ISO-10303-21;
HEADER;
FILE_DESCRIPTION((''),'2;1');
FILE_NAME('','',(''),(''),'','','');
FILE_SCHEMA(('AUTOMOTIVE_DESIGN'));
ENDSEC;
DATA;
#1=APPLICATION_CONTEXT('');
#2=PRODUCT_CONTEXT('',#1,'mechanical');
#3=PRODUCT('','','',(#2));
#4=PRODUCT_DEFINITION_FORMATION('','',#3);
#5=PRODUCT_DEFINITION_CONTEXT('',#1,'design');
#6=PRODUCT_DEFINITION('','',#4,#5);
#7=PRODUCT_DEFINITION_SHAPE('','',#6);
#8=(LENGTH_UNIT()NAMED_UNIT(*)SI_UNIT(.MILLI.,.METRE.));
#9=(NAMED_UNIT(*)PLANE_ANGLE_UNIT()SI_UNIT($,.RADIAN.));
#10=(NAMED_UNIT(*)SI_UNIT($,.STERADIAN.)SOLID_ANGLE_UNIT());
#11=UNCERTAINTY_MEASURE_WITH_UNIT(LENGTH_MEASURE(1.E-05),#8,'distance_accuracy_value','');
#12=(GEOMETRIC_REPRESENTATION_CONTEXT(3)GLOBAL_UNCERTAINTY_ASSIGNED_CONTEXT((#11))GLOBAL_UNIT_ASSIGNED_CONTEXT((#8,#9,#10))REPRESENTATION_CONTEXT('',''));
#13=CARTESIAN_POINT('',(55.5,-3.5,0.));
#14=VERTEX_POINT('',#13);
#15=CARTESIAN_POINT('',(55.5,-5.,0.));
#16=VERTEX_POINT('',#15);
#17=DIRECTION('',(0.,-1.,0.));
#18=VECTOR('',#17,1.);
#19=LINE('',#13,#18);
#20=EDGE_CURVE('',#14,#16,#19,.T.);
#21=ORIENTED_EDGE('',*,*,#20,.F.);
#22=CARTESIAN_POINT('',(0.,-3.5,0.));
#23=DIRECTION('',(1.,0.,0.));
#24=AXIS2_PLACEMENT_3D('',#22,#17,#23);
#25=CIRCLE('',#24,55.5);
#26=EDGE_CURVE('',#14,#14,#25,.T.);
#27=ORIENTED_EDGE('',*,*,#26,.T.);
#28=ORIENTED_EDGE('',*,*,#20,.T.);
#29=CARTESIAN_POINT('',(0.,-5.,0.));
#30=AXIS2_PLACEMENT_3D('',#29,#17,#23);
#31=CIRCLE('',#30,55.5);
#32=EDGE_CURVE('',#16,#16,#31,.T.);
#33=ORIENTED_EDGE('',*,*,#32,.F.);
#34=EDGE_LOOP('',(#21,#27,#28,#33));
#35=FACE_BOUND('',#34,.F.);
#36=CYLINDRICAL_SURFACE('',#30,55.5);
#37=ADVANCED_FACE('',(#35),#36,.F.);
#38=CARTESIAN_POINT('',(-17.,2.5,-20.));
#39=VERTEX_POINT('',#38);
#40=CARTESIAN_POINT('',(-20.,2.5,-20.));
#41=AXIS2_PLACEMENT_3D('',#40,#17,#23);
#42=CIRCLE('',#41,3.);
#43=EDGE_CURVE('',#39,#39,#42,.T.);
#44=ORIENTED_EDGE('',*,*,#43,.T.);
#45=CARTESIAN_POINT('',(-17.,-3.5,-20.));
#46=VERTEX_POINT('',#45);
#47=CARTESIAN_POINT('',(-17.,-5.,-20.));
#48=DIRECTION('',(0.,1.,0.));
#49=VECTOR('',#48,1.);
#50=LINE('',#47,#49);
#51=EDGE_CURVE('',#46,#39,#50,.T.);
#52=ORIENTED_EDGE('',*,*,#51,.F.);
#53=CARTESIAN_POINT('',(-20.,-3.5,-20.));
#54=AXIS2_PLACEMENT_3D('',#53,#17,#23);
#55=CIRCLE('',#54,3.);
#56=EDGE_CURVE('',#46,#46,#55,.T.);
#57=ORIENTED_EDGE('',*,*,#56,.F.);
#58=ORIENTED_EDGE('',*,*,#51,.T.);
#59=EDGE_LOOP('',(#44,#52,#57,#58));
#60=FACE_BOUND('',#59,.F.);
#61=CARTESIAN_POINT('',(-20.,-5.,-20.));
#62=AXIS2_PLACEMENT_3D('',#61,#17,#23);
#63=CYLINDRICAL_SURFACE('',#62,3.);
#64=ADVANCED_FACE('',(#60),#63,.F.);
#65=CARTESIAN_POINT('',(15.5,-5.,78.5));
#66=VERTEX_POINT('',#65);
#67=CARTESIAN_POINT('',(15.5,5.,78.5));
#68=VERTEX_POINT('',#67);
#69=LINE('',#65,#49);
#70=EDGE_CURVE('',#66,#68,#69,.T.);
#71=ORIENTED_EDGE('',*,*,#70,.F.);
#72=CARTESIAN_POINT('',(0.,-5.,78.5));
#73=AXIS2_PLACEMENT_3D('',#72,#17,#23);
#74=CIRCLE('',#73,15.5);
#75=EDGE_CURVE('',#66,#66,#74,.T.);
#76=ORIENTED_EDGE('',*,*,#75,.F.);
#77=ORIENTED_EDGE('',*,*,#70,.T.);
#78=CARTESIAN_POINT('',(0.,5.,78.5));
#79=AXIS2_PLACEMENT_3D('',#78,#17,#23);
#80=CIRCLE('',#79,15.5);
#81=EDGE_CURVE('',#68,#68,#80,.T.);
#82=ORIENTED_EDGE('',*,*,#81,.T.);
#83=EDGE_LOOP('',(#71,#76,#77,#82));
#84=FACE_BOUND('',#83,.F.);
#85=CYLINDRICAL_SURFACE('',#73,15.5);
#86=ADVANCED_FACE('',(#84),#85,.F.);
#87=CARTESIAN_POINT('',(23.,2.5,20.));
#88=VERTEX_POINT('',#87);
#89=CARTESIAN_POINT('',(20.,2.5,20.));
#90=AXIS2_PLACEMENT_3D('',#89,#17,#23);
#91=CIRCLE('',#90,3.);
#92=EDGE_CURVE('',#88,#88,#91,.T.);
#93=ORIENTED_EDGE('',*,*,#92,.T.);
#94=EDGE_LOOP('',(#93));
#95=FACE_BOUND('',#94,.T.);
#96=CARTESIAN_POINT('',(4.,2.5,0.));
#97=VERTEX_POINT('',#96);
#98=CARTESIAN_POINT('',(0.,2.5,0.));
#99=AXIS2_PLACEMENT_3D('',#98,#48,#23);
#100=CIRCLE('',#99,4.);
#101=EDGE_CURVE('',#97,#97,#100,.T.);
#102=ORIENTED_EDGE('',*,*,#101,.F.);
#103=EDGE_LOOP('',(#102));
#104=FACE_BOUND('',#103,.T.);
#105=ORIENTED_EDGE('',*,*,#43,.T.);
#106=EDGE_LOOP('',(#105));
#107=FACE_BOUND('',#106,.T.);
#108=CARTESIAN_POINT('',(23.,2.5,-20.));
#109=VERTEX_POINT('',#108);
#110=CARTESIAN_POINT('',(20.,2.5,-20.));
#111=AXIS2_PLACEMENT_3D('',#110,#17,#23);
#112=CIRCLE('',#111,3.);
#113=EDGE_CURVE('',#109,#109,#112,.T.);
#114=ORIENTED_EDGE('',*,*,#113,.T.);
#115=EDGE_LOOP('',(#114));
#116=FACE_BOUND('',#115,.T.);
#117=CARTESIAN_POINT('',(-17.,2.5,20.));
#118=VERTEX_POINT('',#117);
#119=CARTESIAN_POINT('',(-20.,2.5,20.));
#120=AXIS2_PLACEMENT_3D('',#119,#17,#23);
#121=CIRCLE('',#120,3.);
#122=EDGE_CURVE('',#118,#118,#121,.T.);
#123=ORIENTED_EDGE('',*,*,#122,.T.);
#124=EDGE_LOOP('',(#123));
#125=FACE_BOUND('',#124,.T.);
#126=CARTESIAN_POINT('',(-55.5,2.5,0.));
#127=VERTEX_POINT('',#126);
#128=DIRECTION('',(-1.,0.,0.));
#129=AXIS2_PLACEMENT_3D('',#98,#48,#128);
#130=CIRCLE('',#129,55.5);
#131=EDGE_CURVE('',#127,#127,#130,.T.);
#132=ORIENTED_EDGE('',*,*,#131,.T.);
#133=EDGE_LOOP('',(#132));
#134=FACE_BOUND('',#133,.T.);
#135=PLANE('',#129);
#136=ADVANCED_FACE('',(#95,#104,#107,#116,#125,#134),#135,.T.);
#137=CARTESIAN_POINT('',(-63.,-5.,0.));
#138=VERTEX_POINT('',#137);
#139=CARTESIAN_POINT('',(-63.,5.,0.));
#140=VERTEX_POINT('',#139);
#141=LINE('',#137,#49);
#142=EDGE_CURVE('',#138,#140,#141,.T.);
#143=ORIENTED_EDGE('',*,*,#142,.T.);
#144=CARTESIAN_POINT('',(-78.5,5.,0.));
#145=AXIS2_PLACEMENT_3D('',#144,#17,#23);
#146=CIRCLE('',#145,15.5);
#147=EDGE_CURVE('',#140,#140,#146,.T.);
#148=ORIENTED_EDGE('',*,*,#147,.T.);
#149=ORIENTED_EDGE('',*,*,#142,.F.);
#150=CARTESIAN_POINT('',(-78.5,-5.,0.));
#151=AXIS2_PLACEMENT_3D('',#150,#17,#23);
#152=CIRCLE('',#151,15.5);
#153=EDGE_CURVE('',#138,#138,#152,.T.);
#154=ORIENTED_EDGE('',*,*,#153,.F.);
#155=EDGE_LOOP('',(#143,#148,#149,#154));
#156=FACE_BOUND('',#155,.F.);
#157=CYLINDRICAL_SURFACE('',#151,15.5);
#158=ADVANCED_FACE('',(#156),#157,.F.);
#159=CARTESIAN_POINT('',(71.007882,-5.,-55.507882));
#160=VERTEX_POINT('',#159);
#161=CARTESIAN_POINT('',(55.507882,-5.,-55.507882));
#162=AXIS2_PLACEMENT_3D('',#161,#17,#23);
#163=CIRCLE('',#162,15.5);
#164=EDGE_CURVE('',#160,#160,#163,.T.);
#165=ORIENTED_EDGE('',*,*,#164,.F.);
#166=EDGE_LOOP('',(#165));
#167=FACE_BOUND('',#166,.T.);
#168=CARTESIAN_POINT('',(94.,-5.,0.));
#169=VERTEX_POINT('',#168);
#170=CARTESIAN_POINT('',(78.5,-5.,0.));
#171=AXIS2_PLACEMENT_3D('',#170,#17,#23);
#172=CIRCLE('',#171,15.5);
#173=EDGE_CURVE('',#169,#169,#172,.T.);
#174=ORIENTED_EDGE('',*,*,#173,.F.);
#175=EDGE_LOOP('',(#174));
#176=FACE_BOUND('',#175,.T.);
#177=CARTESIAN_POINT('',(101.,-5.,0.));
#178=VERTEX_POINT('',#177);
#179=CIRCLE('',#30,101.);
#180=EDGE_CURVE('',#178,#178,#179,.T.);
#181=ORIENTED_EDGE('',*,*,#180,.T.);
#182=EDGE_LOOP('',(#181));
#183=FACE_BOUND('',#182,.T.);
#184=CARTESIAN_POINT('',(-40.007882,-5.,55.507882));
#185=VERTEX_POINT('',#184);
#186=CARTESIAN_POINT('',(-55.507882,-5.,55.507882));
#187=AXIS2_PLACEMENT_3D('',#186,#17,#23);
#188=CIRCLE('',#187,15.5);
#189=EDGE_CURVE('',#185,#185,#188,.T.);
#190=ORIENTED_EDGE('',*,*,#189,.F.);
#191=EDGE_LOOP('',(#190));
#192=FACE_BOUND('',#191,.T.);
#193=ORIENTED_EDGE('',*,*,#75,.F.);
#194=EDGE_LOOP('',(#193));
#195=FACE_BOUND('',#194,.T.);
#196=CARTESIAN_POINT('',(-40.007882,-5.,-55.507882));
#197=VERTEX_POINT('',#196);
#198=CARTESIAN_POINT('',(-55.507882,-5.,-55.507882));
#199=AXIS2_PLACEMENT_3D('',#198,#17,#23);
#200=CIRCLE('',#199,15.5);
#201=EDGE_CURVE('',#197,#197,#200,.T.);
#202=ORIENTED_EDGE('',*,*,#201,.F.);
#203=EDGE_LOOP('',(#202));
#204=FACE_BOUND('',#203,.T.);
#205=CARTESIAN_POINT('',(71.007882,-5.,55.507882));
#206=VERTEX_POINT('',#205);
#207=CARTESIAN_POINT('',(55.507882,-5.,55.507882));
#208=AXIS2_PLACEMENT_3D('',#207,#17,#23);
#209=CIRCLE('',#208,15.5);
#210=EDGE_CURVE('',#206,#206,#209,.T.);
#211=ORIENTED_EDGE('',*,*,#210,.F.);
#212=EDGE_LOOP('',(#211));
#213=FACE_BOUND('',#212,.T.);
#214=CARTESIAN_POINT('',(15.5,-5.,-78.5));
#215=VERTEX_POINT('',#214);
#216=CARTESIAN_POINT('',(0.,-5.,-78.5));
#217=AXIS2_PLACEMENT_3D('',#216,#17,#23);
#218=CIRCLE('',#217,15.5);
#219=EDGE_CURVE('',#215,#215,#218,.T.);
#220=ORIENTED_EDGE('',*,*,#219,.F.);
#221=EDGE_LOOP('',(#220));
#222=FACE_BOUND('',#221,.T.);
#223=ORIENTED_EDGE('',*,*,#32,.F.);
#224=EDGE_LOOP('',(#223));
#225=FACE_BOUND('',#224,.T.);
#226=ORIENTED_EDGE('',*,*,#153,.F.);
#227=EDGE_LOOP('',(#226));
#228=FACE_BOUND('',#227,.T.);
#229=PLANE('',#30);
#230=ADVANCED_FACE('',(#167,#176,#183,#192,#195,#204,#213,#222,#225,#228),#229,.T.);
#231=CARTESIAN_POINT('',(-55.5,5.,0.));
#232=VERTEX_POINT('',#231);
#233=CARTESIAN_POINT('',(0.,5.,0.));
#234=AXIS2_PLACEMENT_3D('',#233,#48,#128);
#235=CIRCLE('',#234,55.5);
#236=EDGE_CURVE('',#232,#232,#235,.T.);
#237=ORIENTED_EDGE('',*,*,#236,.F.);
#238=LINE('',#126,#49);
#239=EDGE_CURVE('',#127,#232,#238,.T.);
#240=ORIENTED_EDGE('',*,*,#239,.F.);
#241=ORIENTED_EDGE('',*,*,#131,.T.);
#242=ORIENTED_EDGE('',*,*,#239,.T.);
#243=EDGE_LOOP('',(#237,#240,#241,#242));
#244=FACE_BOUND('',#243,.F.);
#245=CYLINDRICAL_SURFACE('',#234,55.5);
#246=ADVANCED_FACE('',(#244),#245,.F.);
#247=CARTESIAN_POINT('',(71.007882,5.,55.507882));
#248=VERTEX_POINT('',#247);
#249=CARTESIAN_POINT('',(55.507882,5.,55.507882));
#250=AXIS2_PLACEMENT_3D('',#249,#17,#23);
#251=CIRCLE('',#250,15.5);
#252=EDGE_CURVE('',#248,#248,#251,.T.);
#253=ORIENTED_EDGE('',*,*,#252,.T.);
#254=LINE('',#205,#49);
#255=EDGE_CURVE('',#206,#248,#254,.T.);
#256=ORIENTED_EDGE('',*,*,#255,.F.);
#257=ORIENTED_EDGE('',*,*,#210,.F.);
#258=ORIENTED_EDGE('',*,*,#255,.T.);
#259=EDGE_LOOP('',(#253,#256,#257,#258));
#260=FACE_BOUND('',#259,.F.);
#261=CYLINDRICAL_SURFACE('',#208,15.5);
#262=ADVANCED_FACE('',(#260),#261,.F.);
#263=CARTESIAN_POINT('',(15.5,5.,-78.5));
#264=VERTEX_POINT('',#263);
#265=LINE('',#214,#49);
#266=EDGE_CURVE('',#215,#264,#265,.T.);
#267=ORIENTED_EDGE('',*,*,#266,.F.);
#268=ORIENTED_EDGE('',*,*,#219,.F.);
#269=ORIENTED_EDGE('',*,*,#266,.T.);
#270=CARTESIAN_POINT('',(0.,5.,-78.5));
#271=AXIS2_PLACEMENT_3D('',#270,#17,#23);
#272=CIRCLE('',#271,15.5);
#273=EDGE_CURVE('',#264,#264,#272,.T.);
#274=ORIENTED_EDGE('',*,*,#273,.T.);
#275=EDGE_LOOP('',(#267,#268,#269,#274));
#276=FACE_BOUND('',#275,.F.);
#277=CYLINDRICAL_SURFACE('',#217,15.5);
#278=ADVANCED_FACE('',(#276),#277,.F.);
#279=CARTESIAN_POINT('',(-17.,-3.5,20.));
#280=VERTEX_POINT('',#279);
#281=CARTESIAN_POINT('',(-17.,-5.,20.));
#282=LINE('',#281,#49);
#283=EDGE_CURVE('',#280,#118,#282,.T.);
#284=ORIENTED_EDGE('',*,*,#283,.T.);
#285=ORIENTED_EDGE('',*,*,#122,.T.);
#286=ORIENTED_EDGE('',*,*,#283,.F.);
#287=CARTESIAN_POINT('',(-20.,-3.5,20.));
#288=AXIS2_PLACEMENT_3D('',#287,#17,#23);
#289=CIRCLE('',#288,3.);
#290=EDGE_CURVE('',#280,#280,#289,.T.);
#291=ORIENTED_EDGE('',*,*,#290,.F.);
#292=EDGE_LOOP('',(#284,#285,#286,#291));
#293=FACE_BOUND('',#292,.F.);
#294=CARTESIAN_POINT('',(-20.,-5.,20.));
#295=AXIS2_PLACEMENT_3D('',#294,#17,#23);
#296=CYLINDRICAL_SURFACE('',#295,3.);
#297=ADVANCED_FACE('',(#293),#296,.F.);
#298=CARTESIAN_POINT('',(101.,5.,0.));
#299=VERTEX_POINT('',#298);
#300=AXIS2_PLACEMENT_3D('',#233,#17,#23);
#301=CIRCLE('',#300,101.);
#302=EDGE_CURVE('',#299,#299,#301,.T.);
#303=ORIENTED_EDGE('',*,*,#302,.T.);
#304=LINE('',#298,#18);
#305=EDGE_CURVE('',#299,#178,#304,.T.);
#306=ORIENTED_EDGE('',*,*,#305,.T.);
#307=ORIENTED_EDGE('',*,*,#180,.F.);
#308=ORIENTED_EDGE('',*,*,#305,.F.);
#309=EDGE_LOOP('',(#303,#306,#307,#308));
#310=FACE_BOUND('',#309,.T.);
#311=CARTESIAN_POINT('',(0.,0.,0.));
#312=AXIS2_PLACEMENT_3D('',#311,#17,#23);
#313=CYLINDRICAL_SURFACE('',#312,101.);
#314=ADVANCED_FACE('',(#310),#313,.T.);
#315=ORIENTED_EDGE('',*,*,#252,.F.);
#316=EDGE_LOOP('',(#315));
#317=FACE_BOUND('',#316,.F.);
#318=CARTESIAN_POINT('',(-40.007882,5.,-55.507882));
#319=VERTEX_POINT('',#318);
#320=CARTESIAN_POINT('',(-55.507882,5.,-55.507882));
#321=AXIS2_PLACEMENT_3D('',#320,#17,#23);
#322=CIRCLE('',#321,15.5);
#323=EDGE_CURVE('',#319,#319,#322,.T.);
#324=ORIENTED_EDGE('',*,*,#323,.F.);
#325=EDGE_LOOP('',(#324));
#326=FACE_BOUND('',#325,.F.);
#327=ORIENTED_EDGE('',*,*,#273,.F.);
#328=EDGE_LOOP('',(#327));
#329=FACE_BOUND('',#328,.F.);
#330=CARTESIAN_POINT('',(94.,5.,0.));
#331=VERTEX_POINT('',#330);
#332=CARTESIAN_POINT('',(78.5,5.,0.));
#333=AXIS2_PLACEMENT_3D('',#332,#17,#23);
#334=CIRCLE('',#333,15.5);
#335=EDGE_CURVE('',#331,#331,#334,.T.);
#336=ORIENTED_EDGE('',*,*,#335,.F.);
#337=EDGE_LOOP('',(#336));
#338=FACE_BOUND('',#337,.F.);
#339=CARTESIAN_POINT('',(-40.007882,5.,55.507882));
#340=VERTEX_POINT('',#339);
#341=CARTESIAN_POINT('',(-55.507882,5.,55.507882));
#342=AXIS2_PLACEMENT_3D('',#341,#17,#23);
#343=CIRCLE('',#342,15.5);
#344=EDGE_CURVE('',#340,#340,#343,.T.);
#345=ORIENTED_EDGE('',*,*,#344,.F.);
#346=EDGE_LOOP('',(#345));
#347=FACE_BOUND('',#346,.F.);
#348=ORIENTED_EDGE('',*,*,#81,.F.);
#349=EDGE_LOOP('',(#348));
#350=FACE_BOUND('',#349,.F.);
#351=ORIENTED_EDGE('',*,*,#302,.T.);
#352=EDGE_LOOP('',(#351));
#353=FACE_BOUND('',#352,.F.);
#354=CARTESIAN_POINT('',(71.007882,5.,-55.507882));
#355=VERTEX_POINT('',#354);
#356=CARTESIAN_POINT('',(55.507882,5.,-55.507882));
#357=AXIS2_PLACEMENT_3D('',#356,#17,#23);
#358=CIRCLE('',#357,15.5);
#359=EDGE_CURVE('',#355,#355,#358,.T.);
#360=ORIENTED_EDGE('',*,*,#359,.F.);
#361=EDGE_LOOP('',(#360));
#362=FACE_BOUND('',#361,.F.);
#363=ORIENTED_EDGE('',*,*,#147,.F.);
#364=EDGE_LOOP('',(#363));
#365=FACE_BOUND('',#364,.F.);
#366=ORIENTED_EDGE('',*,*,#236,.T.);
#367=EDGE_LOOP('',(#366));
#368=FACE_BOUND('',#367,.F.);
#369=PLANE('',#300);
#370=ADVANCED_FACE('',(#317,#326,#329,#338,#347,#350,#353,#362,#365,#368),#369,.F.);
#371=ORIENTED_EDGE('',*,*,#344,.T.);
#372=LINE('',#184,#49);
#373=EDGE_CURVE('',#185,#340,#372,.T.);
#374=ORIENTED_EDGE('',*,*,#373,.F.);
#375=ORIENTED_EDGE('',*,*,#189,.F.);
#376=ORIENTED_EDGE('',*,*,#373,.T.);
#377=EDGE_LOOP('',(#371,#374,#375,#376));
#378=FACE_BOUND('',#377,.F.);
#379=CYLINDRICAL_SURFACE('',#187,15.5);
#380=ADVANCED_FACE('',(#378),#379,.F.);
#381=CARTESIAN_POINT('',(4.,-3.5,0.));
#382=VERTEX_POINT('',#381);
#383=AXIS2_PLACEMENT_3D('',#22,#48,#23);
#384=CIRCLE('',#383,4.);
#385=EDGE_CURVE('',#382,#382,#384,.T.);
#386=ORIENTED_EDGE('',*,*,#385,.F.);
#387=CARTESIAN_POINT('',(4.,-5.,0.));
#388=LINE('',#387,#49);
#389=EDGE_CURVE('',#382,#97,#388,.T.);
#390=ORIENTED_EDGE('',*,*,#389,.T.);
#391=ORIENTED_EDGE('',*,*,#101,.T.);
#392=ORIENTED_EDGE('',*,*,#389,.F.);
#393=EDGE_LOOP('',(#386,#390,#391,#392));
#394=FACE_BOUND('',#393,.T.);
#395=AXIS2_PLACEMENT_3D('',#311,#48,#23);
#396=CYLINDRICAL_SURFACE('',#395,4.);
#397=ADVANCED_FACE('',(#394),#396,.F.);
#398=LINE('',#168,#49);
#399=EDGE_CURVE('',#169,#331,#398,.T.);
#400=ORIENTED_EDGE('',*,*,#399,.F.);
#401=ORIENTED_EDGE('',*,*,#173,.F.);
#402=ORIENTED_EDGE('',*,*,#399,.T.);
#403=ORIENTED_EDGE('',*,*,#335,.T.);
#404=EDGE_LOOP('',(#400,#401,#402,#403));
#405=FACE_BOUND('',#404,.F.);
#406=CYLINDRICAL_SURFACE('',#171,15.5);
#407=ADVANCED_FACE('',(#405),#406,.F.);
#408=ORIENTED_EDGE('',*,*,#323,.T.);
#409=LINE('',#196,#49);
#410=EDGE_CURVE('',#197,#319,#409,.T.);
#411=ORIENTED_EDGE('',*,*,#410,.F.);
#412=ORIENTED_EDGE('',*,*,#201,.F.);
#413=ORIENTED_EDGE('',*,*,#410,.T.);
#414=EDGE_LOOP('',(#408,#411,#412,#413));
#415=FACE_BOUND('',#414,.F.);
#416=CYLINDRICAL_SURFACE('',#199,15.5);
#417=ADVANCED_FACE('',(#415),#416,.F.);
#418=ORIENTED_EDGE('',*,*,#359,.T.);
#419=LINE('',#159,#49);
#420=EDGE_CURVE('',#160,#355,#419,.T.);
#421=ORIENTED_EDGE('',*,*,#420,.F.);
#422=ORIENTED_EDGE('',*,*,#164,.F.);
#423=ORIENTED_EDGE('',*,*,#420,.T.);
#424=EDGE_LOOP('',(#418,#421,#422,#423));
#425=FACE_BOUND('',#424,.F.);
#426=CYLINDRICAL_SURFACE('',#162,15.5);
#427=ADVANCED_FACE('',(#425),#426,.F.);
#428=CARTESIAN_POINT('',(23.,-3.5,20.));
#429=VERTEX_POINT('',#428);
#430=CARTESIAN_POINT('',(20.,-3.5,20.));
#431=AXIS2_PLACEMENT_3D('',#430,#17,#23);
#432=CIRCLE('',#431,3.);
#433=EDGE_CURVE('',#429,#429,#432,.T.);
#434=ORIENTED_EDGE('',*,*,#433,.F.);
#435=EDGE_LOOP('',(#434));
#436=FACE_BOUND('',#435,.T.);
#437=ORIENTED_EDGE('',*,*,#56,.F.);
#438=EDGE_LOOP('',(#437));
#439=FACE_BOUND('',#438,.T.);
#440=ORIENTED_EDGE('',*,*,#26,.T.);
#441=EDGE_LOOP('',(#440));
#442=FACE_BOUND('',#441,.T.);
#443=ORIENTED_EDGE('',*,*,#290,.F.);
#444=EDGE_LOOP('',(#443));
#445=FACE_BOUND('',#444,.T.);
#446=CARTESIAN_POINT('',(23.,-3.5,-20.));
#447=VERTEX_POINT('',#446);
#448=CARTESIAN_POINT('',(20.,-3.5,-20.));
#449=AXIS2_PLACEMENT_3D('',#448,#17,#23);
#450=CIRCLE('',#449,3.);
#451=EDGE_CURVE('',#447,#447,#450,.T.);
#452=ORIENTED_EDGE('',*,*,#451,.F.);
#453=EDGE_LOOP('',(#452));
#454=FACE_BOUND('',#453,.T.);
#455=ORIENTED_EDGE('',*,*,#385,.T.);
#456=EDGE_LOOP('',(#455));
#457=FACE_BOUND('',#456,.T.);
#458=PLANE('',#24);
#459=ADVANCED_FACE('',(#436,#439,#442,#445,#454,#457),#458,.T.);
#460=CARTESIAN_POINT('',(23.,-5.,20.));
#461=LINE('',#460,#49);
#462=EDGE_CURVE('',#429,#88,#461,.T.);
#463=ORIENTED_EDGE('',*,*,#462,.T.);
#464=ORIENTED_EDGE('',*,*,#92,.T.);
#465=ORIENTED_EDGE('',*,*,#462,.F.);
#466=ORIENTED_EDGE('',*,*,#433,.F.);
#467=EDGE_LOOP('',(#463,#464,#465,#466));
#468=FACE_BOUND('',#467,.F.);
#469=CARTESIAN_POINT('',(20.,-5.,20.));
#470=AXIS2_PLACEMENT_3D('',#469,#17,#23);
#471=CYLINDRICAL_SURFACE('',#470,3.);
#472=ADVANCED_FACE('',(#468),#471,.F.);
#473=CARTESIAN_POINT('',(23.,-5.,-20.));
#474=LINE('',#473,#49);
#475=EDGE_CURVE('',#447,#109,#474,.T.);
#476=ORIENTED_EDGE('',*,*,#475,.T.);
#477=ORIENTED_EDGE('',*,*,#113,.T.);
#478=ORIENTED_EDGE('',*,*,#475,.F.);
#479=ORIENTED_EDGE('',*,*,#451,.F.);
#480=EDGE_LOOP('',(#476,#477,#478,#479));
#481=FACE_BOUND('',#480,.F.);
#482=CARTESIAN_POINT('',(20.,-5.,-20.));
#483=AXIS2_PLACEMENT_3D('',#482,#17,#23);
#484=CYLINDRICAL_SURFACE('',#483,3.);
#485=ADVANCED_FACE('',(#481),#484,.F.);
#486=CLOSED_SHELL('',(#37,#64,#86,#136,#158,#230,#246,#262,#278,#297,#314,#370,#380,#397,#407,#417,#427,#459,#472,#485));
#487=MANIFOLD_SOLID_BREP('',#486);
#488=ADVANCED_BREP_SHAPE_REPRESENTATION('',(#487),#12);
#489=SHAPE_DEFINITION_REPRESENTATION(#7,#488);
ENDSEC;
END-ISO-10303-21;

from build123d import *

# Parameters (mm, degrees)
F0_R         = 101
F0_R_2       = 4
F1_DEPTH     = 5
F2_R         = 15.5
F2_R_2       = 3
F1_FACE1_R   = 101
F1_FACE1_R_2 = 4
F3_DEPTH     = 10.001
F5_R         = 55.5
F6_DEPTH     = 1.5
F7_R         = 55.5
F4_DEPTH     = 2.5


with BuildPart() as f1:
    # F0 (on Front) → F1 (new body, symmetric)
    with BuildSketch(Plane.XZ):
        Circle(F0_R)
        Circle(F0_R_2, mode=Mode.SUBTRACT)
    extrude(amount=F1_DEPTH, both=True)

    # F2 (on face) + F1_face1 (on face) → F3 (cut, through all)
    with BuildSketch(Plane.XZ.offset(5)):
        with Locations((-55.5078823231, -55.5078823231)):
            Circle(F2_R)
        with Locations((-78.5, 0)):
            Circle(F2_R)
        with Locations((-55.5078823231, 55.5078823231)):
            Circle(F2_R)
        with Locations((0, 78.5)):
            Circle(F2_R)
        with Locations((55.5078823231, 55.5078823231)):
            Circle(F2_R)
        with Locations((78.5, 0)):
            Circle(F2_R)
        with Locations((55.5078823231, -55.5078823231)):
            Circle(F2_R)
        with Locations((0, -78.5)):
            Circle(F2_R)
        with Locations((-20, 20)):
            Circle(F2_R_2)
        with Locations((20, 20)):
            Circle(F2_R_2)
        with Locations((20, -20)):
            Circle(F2_R_2)
        with Locations((-20, -20)):
            Circle(F2_R_2)
    with BuildSketch(Plane(origin=(0, 5, 0), x_dir=(1, 0, 0), z_dir=(0, 1, 0))):
        Circle(F1_FACE1_R)
        Circle(F1_FACE1_R_2, mode=Mode.SUBTRACT)
    extrude(amount=-F3_DEPTH, dir=(0, -1, 0), mode=Mode.SUBTRACT)

    # F5 (on face) → F6 (cut, symmetric)
    with BuildSketch(Plane.XZ.offset(5)):
        Circle(F5_R)
    extrude(amount=F6_DEPTH, both=True, mode=Mode.SUBTRACT)

    # F7 (on face) → F4 (cut, symmetric)
    with BuildSketch(Plane(origin=(0, 5, 0), x_dir=(-1, 0, 0), z_dir=(0, 1, 0))):
        Circle(F7_R)
    extrude(amount=F4_DEPTH, both=True, mode=Mode.SUBTRACT)


solid = f1.part
